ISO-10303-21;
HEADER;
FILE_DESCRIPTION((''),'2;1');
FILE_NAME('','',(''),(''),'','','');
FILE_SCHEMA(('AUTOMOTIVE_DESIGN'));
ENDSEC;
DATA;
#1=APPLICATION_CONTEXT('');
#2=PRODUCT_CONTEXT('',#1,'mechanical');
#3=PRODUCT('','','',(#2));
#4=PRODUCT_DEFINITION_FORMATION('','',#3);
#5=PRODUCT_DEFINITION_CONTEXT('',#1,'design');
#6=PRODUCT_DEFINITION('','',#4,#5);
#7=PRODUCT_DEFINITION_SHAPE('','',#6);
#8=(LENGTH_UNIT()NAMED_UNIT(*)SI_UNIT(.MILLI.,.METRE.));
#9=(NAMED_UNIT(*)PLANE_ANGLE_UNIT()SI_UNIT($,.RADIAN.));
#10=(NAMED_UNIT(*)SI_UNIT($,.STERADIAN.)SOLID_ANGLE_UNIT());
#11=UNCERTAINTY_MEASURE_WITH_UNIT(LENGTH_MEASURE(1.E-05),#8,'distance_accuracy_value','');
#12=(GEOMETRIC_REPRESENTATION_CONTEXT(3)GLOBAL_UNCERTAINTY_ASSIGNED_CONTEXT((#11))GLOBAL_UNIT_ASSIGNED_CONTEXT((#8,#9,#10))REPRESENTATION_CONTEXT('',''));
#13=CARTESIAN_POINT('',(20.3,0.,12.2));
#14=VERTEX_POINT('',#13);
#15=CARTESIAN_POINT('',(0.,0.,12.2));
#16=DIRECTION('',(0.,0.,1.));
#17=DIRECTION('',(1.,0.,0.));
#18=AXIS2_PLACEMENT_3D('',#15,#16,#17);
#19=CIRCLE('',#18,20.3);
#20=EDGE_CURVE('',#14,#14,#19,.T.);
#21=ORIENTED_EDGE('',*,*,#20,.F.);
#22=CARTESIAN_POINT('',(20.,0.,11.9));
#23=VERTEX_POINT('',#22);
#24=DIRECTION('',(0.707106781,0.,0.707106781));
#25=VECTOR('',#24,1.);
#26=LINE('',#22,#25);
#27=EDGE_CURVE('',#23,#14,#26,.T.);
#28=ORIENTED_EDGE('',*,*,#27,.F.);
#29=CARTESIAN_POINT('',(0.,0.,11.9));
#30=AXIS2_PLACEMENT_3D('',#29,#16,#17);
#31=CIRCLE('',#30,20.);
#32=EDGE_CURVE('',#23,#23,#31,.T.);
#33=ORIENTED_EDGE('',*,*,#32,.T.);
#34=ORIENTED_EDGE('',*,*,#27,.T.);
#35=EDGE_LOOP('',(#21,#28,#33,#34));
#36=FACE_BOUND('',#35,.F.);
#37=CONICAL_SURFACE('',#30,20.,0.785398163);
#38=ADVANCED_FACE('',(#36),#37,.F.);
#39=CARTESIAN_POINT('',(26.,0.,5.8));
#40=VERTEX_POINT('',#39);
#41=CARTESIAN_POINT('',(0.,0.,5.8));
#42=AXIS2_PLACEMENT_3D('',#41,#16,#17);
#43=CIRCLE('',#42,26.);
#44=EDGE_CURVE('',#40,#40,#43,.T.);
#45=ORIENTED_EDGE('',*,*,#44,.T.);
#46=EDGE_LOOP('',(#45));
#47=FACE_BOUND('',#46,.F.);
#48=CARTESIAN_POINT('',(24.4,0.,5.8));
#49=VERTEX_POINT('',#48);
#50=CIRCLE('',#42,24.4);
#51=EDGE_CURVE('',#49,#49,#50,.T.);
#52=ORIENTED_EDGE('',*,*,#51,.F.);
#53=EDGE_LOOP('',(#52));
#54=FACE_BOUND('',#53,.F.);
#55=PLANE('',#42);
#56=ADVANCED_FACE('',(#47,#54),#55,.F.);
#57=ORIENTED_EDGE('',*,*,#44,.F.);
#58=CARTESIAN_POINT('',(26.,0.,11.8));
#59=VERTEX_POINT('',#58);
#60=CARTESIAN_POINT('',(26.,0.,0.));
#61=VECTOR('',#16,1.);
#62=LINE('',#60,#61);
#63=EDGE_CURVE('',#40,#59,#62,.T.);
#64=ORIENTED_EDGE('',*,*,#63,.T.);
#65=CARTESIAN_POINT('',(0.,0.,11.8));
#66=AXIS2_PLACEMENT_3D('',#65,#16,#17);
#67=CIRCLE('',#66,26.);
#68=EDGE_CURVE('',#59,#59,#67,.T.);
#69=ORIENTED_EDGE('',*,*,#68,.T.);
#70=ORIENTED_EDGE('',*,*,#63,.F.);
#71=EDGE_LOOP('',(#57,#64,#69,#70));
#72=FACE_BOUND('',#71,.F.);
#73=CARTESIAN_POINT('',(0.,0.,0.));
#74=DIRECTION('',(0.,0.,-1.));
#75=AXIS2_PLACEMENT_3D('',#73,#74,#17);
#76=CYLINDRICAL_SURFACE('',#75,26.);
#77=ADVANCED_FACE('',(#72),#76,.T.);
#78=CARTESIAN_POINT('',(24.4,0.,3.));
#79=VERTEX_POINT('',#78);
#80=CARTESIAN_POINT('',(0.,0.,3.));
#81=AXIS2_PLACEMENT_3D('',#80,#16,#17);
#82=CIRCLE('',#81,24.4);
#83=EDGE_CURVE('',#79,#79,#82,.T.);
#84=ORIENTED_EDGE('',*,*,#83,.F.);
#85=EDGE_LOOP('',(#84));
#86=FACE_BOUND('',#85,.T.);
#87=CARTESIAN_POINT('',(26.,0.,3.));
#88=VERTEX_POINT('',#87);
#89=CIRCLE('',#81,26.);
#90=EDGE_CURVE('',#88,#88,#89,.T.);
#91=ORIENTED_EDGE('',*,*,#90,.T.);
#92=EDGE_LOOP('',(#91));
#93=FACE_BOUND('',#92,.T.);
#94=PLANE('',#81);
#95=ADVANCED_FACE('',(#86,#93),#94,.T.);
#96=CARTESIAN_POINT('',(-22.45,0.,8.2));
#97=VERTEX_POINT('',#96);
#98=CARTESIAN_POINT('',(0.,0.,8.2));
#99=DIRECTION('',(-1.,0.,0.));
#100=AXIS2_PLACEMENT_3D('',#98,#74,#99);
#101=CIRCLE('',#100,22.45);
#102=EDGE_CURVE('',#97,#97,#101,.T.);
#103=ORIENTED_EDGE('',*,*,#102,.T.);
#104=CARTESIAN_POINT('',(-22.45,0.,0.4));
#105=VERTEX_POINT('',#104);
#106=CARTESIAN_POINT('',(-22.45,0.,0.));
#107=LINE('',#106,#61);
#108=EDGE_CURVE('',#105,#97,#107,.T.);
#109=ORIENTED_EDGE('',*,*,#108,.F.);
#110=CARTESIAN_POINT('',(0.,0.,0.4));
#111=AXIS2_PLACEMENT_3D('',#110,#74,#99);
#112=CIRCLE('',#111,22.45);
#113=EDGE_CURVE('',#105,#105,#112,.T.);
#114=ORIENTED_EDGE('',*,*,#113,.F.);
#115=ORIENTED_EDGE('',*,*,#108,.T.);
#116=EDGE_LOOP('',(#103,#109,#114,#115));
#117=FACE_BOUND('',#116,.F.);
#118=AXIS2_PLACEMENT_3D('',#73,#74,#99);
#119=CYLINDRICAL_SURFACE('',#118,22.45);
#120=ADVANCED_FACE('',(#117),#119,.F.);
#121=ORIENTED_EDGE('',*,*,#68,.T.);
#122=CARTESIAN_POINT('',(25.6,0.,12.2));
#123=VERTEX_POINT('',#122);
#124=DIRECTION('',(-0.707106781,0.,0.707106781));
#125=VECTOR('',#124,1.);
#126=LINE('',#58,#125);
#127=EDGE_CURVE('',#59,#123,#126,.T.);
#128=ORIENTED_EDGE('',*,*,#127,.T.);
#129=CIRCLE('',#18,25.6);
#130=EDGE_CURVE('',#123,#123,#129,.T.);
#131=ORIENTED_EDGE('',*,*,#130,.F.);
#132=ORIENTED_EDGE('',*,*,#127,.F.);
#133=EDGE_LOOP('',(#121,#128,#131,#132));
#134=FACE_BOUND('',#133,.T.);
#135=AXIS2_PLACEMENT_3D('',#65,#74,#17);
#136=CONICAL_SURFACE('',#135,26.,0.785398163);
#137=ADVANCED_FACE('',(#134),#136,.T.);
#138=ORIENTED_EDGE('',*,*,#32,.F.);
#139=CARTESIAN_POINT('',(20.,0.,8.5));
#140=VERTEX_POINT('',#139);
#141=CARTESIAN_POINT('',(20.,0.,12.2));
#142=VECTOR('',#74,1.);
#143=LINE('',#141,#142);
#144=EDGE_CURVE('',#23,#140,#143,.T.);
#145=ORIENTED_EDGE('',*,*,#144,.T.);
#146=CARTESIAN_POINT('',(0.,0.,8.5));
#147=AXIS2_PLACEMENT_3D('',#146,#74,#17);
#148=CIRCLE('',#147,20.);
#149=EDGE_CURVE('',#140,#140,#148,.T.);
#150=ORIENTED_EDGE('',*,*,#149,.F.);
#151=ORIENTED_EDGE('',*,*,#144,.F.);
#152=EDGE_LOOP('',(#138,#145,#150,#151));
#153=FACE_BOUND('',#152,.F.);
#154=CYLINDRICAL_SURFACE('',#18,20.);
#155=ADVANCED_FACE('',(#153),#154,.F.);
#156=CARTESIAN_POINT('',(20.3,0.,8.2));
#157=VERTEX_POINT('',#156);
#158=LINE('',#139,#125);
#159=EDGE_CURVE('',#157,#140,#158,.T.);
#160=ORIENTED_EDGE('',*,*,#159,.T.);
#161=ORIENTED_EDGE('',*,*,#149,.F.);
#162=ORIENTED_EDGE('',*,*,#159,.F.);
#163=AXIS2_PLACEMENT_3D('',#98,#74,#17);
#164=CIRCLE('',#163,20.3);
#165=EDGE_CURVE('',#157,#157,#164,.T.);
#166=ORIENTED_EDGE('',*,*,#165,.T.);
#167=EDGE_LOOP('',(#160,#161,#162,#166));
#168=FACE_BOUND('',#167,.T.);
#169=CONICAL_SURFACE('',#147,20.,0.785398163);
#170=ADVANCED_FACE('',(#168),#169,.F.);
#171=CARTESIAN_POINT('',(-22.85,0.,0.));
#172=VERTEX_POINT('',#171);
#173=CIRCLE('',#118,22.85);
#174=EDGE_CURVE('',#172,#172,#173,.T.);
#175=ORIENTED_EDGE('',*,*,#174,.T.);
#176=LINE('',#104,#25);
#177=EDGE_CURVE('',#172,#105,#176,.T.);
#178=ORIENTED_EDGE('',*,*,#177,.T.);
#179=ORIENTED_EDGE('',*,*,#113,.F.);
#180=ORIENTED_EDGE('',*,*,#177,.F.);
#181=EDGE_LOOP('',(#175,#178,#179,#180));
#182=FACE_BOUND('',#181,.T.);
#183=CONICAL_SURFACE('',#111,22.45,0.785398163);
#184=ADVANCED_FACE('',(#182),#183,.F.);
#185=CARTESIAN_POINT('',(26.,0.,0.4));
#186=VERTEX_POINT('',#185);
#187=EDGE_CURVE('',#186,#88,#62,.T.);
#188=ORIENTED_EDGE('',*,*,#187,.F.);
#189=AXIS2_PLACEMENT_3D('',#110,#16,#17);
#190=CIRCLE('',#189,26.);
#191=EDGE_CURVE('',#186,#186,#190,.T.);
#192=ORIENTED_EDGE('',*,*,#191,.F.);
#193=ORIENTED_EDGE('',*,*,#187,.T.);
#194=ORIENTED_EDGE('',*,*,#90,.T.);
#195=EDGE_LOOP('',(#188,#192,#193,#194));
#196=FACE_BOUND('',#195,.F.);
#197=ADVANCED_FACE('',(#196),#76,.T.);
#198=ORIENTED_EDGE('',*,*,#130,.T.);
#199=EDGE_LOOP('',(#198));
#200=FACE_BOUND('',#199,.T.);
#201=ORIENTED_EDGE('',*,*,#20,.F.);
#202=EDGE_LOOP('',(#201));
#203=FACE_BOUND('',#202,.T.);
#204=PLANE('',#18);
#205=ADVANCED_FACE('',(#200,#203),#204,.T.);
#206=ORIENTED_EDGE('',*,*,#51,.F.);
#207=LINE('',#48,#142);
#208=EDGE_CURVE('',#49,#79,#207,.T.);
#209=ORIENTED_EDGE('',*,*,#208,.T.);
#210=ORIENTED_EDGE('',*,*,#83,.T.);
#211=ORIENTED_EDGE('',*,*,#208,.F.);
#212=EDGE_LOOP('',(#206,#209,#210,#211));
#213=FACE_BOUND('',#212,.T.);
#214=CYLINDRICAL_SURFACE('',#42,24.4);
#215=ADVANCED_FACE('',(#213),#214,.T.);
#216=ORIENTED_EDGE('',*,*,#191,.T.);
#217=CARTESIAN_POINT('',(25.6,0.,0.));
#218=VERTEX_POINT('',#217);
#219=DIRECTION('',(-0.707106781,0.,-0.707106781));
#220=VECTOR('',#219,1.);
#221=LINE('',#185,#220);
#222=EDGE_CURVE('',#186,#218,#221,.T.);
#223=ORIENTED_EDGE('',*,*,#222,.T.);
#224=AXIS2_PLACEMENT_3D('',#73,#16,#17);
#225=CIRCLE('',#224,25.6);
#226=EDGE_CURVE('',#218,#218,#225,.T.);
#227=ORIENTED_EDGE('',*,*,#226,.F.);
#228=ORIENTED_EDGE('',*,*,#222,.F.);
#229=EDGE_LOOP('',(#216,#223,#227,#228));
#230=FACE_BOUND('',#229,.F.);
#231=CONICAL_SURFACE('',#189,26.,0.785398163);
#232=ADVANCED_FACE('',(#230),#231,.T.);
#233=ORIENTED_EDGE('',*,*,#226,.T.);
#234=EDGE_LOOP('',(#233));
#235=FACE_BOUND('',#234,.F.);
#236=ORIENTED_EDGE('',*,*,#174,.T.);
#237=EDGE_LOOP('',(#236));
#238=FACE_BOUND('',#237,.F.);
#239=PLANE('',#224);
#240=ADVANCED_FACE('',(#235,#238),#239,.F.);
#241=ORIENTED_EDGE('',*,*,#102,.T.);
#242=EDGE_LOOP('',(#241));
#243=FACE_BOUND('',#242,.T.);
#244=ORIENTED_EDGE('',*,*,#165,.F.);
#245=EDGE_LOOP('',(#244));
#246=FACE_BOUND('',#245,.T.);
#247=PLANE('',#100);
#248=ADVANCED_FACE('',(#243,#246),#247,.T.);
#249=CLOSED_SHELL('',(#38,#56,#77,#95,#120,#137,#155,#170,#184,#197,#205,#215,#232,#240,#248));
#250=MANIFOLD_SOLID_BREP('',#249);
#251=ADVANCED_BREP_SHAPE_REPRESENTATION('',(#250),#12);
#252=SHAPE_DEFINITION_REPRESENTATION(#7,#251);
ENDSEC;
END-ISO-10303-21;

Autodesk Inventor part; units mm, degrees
ref_plane "YZ Plane" through (0, 0, 0) normal (1, 0, 0) x (0, 1, 0)
ref_plane "XZ Plane" through (0, 0, 0) normal (0, 1, 0) x (-1, 0, 0)
sketch "草圖1" plane through (0, 0, 0) normal (0, 0, 1) x (1, 0, 0)
  circle A0 centre (0, 0) radius 26
  dimension "d0" = 52
extrude "擠出1" add sketch "草圖1" along normal blind 12.2
sketch "草圖2" plane through (0, 0, 12.2) normal (0, 0, 1) x (1, 0, 0)
  circle A0 centre (0, 0) radius 26 projected
  circle A1 centre (0, 0) radius 20
  dimension "d3" = 40
extrude "擠出2" cut sketch "草圖2" against normal through all contours A1
sketch "草圖3" plane through (0, 0, 0) normal (0, 0, -1) x (-1, 0, 0)
  circle A0 centre (0, 0) radius 20 projected
  circle A1 centre (0, 0) radius 26 projected
  circle A2 centre (0, 0) radius 22.45
  dimension "d6" = 44.9
extrude "擠出3" cut sketch "草圖3" against normal blind 8.2 contours A2
ref_plane "工作平面1" through (0, 0, 5.8) normal (0, 0, 1) x (1, 0, 0)
sketch "草圖4" plane through (0, 0, 5.8) normal (0, 0, 1) x (1, 0, 0)
  circle A0 centre (0, 0) radius 24.4
  circle A1 centre (0, 0) radius 26 projected
  dimension "d10" = 48.8
extrude "擠出4" cut sketch "草圖4" against normal blind 2.8
chamfer "倒角1" distance 0.4 angle 45 3 edges at (-26, 0, 12.2) (-26, 0, 0) (22.45, 0, 0)
chamfer "倒角2" distance 0.3 angle 45 2 edges at (-20, 0, 8.2) (-20, 0, 12.2)
properties part number "鑄鐵SLEEVE"
